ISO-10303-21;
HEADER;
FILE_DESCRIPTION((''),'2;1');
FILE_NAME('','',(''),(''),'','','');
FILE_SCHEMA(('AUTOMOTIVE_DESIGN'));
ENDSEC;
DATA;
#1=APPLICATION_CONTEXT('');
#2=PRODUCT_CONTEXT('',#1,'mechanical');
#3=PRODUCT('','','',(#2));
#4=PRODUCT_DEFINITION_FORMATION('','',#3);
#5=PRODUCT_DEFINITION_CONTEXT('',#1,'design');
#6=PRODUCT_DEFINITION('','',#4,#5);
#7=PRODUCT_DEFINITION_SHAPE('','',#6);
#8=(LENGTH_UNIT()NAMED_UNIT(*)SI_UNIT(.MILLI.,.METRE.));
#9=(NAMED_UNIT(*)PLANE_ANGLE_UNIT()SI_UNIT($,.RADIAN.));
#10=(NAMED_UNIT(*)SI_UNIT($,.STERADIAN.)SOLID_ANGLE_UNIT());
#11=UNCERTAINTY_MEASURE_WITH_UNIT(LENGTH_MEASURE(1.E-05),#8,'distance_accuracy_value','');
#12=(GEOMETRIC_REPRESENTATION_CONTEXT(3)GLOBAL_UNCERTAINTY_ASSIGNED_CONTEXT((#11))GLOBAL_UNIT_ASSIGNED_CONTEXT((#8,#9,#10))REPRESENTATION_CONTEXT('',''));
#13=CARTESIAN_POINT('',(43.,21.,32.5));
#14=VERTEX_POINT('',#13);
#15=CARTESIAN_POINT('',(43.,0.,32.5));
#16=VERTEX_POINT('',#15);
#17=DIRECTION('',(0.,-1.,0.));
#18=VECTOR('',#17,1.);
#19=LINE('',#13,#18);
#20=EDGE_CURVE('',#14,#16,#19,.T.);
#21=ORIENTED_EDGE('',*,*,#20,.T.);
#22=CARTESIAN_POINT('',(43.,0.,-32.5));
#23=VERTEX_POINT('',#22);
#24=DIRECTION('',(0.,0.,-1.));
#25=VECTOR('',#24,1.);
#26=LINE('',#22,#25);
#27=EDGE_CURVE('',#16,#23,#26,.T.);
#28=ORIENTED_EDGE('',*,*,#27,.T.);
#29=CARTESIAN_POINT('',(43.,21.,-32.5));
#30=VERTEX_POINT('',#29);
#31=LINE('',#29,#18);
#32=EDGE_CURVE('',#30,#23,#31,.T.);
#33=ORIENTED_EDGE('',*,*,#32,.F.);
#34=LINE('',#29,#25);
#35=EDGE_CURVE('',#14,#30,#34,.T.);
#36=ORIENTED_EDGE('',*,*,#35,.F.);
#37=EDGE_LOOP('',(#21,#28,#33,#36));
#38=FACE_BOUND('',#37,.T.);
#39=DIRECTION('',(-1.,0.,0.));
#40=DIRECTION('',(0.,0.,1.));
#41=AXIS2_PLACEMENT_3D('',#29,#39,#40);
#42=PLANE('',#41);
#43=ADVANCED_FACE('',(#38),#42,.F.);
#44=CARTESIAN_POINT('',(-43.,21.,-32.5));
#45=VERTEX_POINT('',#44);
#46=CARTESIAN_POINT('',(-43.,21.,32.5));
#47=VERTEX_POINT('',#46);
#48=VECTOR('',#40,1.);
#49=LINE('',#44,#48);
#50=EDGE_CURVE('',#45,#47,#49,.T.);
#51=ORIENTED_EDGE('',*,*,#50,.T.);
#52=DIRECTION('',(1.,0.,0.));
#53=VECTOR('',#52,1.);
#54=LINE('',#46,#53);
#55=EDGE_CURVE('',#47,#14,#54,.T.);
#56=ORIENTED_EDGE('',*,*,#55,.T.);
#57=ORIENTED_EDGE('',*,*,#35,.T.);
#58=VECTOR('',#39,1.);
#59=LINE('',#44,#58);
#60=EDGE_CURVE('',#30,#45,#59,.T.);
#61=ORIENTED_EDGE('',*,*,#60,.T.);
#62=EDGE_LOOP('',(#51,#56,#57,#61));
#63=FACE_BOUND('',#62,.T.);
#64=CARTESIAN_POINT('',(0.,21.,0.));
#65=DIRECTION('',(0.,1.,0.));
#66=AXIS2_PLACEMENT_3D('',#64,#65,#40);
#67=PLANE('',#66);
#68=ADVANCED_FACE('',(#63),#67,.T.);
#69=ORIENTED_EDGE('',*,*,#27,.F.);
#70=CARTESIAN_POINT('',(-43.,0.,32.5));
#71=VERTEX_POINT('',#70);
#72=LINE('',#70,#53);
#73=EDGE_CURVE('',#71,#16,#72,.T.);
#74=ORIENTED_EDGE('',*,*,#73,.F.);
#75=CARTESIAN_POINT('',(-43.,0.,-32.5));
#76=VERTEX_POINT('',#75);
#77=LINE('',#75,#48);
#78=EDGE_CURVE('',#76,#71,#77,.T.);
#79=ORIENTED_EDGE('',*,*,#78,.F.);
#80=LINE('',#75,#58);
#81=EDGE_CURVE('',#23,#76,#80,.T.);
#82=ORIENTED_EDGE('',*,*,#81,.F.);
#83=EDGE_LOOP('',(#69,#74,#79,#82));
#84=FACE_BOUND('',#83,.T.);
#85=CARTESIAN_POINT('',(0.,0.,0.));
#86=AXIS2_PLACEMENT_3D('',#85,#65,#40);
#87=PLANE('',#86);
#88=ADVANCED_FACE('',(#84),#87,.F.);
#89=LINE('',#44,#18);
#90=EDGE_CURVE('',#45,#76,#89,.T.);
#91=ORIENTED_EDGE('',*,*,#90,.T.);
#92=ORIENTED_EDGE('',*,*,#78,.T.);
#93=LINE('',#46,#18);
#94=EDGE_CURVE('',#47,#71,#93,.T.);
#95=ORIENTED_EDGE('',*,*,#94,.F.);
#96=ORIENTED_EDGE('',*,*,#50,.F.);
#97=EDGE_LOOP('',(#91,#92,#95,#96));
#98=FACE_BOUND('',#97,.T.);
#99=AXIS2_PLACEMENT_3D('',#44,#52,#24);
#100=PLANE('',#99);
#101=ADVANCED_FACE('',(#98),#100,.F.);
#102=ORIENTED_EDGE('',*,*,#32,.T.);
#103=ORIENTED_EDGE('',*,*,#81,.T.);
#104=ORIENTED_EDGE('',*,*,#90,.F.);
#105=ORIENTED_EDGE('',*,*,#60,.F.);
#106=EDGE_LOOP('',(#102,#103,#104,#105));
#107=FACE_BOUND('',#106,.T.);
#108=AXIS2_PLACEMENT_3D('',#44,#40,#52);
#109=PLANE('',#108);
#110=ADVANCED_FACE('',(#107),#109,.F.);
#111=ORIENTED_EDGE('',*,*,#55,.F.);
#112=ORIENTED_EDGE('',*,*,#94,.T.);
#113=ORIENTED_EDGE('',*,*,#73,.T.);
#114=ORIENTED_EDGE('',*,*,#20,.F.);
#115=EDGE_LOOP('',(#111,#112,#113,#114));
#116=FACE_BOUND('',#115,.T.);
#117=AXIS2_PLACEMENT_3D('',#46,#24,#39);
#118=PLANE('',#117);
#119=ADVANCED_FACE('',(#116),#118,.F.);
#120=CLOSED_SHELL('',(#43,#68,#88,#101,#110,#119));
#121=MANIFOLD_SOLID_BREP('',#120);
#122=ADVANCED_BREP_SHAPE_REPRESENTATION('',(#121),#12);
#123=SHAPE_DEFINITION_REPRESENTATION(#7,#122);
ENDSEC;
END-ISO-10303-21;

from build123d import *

# Parameters (mm, degrees)
SKETCH_1_W      = 86
SKETCH_1_H      = 65
EXTRUDE_1_DEPTH = 21


with BuildPart() as part:
    # 草图1 → 凸台-拉伸1 (new body)
    with BuildSketch(Plane(origin=(0, 0, 0), x_dir=(1, 0, 0), z_dir=(0, 1, 0))):
        Rectangle(SKETCH_1_W, SKETCH_1_H)
    extrude(amount=EXTRUDE_1_DEPTH)


solid = part.part
